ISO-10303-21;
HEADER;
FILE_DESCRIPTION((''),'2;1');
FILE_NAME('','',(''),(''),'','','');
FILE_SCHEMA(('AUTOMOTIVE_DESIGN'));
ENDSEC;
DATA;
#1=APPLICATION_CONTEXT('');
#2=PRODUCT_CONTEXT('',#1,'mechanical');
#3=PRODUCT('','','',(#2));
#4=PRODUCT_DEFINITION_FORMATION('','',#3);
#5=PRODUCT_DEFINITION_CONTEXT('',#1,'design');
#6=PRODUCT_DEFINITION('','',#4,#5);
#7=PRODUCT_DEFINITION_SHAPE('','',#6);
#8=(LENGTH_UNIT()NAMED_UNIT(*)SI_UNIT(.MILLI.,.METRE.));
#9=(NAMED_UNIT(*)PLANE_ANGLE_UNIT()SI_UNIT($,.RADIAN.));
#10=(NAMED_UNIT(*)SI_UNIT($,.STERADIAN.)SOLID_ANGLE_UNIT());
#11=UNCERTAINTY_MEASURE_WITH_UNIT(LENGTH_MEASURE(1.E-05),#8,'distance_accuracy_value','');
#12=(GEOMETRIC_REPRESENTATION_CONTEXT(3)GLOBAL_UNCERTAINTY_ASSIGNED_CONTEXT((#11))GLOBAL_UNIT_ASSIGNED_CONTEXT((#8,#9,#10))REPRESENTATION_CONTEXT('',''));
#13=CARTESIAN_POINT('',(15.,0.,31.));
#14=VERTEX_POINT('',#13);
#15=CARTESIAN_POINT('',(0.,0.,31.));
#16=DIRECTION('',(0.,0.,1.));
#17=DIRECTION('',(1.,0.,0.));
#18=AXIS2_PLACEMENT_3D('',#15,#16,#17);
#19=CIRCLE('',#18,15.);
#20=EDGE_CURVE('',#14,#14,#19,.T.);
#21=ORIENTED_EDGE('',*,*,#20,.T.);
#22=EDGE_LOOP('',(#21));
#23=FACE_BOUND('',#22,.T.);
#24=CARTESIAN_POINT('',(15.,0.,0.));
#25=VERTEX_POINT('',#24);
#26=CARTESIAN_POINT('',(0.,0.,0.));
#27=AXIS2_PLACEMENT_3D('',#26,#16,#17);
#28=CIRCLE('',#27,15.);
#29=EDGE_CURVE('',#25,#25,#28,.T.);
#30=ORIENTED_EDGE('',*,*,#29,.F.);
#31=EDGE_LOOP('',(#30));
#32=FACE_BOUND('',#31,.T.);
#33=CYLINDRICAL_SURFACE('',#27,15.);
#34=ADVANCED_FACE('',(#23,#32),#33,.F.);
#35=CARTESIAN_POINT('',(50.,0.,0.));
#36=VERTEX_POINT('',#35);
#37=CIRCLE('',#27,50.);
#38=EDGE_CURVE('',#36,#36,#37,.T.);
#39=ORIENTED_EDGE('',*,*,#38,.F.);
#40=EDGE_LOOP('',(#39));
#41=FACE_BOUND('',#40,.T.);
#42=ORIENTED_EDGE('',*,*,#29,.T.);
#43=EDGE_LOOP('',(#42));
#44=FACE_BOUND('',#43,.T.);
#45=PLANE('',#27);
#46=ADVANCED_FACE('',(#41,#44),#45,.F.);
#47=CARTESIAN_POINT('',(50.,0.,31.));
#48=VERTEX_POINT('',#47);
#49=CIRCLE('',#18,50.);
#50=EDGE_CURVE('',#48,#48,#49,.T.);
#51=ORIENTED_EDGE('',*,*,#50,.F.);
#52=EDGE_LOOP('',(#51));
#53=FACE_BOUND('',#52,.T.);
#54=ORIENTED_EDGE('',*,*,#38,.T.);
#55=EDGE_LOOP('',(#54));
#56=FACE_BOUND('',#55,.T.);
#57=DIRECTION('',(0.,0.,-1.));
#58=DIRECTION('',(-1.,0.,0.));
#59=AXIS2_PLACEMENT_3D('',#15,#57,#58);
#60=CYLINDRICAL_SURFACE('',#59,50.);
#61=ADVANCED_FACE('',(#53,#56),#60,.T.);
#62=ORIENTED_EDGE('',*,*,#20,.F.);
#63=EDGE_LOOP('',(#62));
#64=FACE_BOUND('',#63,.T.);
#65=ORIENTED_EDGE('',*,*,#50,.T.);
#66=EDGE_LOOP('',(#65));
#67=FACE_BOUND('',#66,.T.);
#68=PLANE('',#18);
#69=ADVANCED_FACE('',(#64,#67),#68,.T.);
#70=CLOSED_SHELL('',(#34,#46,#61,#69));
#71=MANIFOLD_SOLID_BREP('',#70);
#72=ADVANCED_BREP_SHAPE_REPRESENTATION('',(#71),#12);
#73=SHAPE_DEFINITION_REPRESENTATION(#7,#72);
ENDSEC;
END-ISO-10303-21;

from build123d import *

# Parameters (mm, degrees)
SKETCH1_R           = 50
BOSS_EXTRUDE1_DEPTH = 31
SKETCH2_R           = 15
CUT_EXTRUDE1_DEPTH  = 32


with BuildPart() as part:
    # Sketch1 → Boss-Extrude1 (new body)
    with BuildSketch(Plane.XY):
        Circle(SKETCH1_R)
    extrude(amount=BOSS_EXTRUDE1_DEPTH)

    # Sketch2 → Cut-Extrude1 (cut, through all)
    with BuildSketch(Plane.XY.offset(31)):
        Circle(SKETCH2_R)
    extrude(amount=-CUT_EXTRUDE1_DEPTH, mode=Mode.SUBTRACT)


solid = part.part
